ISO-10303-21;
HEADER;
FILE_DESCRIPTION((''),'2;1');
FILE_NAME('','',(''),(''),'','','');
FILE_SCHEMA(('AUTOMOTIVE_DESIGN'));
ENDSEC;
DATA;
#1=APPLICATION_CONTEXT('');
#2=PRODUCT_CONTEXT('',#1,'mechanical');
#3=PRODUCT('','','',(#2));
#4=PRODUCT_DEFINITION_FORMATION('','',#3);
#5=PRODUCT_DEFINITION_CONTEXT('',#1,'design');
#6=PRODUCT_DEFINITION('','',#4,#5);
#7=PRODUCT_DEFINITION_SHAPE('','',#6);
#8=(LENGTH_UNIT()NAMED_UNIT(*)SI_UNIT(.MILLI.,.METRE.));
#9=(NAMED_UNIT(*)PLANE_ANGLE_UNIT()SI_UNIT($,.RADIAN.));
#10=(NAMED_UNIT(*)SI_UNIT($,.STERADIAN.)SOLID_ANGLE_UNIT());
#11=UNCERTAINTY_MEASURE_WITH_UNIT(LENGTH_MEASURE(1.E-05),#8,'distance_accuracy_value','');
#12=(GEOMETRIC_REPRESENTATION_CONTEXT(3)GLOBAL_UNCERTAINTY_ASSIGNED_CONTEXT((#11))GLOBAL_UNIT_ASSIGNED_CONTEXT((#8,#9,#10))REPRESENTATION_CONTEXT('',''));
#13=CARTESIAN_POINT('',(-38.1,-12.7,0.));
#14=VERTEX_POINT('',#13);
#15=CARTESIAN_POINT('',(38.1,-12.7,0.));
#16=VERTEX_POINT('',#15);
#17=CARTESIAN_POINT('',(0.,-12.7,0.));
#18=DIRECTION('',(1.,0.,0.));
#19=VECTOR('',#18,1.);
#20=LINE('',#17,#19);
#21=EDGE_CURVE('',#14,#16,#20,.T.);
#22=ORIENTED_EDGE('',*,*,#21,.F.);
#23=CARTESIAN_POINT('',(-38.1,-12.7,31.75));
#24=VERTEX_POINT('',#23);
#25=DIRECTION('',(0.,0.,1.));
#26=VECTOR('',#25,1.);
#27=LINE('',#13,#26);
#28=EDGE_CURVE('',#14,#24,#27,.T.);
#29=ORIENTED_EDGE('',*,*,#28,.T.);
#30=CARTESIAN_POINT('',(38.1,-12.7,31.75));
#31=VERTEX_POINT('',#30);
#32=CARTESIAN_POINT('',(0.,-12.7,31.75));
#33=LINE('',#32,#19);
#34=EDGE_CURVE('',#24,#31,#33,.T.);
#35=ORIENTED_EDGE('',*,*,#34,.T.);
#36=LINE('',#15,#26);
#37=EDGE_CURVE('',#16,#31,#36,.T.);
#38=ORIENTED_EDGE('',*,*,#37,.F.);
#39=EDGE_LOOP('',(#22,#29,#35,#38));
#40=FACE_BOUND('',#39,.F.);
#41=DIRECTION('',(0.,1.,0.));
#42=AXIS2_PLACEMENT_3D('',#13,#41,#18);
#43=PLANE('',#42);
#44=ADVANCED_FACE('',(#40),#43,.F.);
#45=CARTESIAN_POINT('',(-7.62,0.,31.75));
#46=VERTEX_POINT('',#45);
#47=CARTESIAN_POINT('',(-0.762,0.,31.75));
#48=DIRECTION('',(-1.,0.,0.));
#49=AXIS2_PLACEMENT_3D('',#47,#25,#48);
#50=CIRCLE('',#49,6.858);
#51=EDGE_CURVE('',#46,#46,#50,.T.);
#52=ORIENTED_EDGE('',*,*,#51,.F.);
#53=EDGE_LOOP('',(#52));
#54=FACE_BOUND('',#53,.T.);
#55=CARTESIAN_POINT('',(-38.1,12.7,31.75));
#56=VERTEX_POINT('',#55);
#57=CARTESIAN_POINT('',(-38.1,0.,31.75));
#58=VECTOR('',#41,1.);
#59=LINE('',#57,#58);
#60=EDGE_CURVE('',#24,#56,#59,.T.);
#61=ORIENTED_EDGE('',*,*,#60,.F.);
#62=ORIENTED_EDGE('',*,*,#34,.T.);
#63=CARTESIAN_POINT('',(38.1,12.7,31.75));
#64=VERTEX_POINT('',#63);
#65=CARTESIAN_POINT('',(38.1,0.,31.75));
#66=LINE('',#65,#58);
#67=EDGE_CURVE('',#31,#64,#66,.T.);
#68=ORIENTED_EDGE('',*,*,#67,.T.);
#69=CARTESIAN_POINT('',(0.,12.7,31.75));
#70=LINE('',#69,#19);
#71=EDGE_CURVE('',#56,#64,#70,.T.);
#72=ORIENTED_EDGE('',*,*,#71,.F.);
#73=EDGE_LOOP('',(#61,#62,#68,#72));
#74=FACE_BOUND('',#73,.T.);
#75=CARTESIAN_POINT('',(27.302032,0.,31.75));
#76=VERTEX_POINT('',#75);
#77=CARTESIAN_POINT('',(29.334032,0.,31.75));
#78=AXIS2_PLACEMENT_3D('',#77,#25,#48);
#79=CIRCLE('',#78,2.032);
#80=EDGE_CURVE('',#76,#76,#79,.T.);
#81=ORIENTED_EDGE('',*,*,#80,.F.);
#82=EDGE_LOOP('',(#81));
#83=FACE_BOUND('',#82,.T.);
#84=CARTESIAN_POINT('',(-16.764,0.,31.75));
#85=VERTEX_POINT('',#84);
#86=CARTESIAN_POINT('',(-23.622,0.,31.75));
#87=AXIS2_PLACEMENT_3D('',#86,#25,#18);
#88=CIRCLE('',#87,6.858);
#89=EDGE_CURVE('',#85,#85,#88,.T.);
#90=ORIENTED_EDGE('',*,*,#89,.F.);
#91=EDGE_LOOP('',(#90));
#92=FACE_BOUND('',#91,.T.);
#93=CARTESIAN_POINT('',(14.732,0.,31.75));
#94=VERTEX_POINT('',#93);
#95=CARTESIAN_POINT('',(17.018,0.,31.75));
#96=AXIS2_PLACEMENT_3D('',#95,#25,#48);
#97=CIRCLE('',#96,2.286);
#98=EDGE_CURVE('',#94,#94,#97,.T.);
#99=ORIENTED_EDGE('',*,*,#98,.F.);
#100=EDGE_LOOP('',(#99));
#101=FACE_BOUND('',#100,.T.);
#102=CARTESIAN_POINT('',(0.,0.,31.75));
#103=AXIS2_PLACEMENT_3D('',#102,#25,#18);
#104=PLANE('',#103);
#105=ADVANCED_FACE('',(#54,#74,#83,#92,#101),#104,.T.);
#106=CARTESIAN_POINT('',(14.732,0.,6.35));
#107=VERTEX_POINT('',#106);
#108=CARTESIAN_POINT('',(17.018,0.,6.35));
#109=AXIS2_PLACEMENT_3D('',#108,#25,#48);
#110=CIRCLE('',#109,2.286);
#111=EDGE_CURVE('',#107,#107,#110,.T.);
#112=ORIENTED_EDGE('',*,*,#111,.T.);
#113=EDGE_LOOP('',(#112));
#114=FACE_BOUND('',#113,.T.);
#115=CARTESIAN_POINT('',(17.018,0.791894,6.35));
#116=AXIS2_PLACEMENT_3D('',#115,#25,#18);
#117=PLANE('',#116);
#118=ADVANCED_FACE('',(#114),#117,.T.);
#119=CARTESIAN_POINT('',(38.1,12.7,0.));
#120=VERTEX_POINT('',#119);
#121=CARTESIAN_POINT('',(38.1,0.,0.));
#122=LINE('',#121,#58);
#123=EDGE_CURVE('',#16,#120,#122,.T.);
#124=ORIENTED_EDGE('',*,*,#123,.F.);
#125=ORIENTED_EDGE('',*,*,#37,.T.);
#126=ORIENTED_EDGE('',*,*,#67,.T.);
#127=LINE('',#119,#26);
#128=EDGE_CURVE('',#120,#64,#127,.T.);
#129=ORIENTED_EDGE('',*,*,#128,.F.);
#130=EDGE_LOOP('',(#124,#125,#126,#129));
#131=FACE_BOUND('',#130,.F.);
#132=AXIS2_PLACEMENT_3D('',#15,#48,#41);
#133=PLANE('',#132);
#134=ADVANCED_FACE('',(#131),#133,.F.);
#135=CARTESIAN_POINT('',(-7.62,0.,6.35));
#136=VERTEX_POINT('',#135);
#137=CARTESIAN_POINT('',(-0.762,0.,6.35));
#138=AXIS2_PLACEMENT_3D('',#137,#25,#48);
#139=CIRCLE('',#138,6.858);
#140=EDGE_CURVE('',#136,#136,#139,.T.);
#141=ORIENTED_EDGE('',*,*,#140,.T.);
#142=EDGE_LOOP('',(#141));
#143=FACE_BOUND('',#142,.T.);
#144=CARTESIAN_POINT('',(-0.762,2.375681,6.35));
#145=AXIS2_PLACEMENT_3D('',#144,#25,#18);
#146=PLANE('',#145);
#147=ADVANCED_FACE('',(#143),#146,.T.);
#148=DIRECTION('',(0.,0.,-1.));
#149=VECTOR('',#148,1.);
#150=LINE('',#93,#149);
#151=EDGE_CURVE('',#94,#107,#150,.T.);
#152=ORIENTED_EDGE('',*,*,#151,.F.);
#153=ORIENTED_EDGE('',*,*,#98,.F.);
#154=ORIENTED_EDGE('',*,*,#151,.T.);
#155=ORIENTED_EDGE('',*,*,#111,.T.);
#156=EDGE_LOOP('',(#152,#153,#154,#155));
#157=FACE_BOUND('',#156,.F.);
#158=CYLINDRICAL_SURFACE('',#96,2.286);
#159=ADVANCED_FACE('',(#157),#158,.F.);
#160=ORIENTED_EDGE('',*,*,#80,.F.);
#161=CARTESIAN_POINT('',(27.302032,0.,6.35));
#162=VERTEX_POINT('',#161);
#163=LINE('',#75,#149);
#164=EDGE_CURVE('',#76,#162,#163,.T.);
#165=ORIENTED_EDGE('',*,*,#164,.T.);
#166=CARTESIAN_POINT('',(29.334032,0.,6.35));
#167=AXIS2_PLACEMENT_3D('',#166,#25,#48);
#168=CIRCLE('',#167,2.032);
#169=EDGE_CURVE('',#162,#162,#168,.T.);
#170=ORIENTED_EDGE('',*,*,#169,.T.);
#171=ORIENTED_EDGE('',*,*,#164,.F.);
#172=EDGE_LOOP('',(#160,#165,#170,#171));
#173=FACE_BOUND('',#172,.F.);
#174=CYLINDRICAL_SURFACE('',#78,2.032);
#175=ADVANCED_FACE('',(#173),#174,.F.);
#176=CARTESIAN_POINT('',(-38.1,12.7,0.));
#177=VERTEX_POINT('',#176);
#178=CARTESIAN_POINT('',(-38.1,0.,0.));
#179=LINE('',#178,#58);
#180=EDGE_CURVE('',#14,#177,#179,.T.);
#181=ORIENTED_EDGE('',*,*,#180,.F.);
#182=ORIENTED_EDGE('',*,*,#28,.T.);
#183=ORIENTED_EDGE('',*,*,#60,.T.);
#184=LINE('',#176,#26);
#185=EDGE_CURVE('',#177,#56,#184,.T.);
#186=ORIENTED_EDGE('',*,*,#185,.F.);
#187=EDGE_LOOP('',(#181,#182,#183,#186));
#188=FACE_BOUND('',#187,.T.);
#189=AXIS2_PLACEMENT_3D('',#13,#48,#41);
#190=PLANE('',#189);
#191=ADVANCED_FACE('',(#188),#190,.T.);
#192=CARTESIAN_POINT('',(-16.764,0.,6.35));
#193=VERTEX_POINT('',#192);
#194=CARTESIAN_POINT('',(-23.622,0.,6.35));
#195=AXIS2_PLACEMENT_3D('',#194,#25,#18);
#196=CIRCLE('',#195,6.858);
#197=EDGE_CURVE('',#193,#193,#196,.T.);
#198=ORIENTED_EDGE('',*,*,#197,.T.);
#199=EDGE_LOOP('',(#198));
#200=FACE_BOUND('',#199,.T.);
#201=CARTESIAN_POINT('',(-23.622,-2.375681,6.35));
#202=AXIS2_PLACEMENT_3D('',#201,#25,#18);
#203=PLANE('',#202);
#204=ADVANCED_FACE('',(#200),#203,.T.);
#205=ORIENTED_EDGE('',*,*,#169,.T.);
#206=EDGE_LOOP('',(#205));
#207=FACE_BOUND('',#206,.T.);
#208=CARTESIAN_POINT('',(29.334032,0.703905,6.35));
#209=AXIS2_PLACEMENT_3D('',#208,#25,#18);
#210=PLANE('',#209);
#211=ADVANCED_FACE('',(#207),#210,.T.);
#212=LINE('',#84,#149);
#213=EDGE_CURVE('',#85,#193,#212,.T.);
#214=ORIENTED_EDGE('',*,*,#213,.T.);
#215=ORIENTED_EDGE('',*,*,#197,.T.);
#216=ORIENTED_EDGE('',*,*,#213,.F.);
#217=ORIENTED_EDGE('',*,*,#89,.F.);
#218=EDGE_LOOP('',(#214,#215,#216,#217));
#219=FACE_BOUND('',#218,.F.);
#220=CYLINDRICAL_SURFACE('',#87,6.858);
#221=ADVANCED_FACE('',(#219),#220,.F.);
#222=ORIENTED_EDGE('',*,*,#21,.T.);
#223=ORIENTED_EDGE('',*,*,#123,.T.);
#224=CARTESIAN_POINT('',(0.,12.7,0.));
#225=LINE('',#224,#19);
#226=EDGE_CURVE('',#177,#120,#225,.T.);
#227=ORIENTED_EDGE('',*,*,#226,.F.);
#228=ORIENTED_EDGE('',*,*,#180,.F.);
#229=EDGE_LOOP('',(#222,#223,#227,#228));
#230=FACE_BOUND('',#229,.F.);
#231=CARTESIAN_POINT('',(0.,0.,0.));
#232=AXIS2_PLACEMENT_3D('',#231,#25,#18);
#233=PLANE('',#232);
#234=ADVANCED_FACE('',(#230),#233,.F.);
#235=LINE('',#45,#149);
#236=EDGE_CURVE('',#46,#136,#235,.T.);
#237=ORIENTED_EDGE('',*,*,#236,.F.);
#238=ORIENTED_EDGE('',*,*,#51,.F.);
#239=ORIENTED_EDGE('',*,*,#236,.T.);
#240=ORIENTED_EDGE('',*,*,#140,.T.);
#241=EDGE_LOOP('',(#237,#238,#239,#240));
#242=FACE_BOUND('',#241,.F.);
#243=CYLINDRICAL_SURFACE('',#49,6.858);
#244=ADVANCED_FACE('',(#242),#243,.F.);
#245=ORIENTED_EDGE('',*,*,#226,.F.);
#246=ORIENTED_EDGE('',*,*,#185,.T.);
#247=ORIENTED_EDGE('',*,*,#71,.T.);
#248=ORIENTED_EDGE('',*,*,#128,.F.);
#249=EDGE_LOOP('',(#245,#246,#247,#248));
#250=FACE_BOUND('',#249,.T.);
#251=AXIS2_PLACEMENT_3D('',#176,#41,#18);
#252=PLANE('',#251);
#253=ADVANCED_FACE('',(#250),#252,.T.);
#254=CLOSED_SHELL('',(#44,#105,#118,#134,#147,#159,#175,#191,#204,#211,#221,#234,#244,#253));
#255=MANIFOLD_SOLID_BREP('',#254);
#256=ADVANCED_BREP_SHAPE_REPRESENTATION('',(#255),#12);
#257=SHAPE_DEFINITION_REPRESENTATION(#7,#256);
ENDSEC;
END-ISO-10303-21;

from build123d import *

# Parameters (mm, degrees)
F0_W     = 76.2
F0_H     = 25.4
F1_DEPTH = 31.75
F3_DEPTH = 25.4


with BuildPart() as f1:
    # F0 (on Top) → F1 (new body)
    with BuildSketch(Plane.XY):
        Rectangle(F0_W, F0_H)
    extrude(amount=F1_DEPTH)

    # F2 (on face) → F3 (cut)
    with BuildSketch(Plane.XY.offset(31.75)):
        with BuildLine():
            Line((-7.62, 0), (0, 0))
            Line((0, 0), (6.096, 0))
            ThreePointArc((6.096, 0), (-0.762, 6.858), (-7.62, 0))
        make_face()
        with BuildLine():
            Line((6.096, 0), (0, 0))
            Line((0, 0), (-7.62, 0))
            ThreePointArc((-7.62, 0), (-0.762, -6.858), (6.096, 0))
        make_face()
        with BuildLine():
            ThreePointArc((31.366032, 0), (29.334032, 2.032), (27.302032, 0))
            Line((27.302032, 0), (31.366032, 0))
        make_face()
        with BuildLine():
            Line((31.366032, 0), (27.302032, 0))
            ThreePointArc((27.302032, 0), (29.334032, -2.032), (31.366032, 0))
        make_face()
        with BuildLine():
            ThreePointArc((19.304, 0), (17.018, 2.286), (14.732, 0))
            Line((14.732, 0), (19.304, 0))
        make_face()
        with BuildLine():
            Line((19.304, 0), (14.732, 0))
            ThreePointArc((14.732, 0), (17.018, -2.286), (19.304, 0))
        make_face()
        with BuildLine():
            ThreePointArc((-30.48, 0), (-23.622, -6.858), (-16.764, 0))
            Line((-16.764, 0), (-30.48, 0))
        make_face()
        with BuildLine():
            Line((-30.48, 0), (-16.764, 0))
            ThreePointArc((-16.764, 0), (-23.622, 6.858), (-30.48, 0))
        make_face()
    extrude(amount=-F3_DEPTH, mode=Mode.SUBTRACT)


solid = f1.part
